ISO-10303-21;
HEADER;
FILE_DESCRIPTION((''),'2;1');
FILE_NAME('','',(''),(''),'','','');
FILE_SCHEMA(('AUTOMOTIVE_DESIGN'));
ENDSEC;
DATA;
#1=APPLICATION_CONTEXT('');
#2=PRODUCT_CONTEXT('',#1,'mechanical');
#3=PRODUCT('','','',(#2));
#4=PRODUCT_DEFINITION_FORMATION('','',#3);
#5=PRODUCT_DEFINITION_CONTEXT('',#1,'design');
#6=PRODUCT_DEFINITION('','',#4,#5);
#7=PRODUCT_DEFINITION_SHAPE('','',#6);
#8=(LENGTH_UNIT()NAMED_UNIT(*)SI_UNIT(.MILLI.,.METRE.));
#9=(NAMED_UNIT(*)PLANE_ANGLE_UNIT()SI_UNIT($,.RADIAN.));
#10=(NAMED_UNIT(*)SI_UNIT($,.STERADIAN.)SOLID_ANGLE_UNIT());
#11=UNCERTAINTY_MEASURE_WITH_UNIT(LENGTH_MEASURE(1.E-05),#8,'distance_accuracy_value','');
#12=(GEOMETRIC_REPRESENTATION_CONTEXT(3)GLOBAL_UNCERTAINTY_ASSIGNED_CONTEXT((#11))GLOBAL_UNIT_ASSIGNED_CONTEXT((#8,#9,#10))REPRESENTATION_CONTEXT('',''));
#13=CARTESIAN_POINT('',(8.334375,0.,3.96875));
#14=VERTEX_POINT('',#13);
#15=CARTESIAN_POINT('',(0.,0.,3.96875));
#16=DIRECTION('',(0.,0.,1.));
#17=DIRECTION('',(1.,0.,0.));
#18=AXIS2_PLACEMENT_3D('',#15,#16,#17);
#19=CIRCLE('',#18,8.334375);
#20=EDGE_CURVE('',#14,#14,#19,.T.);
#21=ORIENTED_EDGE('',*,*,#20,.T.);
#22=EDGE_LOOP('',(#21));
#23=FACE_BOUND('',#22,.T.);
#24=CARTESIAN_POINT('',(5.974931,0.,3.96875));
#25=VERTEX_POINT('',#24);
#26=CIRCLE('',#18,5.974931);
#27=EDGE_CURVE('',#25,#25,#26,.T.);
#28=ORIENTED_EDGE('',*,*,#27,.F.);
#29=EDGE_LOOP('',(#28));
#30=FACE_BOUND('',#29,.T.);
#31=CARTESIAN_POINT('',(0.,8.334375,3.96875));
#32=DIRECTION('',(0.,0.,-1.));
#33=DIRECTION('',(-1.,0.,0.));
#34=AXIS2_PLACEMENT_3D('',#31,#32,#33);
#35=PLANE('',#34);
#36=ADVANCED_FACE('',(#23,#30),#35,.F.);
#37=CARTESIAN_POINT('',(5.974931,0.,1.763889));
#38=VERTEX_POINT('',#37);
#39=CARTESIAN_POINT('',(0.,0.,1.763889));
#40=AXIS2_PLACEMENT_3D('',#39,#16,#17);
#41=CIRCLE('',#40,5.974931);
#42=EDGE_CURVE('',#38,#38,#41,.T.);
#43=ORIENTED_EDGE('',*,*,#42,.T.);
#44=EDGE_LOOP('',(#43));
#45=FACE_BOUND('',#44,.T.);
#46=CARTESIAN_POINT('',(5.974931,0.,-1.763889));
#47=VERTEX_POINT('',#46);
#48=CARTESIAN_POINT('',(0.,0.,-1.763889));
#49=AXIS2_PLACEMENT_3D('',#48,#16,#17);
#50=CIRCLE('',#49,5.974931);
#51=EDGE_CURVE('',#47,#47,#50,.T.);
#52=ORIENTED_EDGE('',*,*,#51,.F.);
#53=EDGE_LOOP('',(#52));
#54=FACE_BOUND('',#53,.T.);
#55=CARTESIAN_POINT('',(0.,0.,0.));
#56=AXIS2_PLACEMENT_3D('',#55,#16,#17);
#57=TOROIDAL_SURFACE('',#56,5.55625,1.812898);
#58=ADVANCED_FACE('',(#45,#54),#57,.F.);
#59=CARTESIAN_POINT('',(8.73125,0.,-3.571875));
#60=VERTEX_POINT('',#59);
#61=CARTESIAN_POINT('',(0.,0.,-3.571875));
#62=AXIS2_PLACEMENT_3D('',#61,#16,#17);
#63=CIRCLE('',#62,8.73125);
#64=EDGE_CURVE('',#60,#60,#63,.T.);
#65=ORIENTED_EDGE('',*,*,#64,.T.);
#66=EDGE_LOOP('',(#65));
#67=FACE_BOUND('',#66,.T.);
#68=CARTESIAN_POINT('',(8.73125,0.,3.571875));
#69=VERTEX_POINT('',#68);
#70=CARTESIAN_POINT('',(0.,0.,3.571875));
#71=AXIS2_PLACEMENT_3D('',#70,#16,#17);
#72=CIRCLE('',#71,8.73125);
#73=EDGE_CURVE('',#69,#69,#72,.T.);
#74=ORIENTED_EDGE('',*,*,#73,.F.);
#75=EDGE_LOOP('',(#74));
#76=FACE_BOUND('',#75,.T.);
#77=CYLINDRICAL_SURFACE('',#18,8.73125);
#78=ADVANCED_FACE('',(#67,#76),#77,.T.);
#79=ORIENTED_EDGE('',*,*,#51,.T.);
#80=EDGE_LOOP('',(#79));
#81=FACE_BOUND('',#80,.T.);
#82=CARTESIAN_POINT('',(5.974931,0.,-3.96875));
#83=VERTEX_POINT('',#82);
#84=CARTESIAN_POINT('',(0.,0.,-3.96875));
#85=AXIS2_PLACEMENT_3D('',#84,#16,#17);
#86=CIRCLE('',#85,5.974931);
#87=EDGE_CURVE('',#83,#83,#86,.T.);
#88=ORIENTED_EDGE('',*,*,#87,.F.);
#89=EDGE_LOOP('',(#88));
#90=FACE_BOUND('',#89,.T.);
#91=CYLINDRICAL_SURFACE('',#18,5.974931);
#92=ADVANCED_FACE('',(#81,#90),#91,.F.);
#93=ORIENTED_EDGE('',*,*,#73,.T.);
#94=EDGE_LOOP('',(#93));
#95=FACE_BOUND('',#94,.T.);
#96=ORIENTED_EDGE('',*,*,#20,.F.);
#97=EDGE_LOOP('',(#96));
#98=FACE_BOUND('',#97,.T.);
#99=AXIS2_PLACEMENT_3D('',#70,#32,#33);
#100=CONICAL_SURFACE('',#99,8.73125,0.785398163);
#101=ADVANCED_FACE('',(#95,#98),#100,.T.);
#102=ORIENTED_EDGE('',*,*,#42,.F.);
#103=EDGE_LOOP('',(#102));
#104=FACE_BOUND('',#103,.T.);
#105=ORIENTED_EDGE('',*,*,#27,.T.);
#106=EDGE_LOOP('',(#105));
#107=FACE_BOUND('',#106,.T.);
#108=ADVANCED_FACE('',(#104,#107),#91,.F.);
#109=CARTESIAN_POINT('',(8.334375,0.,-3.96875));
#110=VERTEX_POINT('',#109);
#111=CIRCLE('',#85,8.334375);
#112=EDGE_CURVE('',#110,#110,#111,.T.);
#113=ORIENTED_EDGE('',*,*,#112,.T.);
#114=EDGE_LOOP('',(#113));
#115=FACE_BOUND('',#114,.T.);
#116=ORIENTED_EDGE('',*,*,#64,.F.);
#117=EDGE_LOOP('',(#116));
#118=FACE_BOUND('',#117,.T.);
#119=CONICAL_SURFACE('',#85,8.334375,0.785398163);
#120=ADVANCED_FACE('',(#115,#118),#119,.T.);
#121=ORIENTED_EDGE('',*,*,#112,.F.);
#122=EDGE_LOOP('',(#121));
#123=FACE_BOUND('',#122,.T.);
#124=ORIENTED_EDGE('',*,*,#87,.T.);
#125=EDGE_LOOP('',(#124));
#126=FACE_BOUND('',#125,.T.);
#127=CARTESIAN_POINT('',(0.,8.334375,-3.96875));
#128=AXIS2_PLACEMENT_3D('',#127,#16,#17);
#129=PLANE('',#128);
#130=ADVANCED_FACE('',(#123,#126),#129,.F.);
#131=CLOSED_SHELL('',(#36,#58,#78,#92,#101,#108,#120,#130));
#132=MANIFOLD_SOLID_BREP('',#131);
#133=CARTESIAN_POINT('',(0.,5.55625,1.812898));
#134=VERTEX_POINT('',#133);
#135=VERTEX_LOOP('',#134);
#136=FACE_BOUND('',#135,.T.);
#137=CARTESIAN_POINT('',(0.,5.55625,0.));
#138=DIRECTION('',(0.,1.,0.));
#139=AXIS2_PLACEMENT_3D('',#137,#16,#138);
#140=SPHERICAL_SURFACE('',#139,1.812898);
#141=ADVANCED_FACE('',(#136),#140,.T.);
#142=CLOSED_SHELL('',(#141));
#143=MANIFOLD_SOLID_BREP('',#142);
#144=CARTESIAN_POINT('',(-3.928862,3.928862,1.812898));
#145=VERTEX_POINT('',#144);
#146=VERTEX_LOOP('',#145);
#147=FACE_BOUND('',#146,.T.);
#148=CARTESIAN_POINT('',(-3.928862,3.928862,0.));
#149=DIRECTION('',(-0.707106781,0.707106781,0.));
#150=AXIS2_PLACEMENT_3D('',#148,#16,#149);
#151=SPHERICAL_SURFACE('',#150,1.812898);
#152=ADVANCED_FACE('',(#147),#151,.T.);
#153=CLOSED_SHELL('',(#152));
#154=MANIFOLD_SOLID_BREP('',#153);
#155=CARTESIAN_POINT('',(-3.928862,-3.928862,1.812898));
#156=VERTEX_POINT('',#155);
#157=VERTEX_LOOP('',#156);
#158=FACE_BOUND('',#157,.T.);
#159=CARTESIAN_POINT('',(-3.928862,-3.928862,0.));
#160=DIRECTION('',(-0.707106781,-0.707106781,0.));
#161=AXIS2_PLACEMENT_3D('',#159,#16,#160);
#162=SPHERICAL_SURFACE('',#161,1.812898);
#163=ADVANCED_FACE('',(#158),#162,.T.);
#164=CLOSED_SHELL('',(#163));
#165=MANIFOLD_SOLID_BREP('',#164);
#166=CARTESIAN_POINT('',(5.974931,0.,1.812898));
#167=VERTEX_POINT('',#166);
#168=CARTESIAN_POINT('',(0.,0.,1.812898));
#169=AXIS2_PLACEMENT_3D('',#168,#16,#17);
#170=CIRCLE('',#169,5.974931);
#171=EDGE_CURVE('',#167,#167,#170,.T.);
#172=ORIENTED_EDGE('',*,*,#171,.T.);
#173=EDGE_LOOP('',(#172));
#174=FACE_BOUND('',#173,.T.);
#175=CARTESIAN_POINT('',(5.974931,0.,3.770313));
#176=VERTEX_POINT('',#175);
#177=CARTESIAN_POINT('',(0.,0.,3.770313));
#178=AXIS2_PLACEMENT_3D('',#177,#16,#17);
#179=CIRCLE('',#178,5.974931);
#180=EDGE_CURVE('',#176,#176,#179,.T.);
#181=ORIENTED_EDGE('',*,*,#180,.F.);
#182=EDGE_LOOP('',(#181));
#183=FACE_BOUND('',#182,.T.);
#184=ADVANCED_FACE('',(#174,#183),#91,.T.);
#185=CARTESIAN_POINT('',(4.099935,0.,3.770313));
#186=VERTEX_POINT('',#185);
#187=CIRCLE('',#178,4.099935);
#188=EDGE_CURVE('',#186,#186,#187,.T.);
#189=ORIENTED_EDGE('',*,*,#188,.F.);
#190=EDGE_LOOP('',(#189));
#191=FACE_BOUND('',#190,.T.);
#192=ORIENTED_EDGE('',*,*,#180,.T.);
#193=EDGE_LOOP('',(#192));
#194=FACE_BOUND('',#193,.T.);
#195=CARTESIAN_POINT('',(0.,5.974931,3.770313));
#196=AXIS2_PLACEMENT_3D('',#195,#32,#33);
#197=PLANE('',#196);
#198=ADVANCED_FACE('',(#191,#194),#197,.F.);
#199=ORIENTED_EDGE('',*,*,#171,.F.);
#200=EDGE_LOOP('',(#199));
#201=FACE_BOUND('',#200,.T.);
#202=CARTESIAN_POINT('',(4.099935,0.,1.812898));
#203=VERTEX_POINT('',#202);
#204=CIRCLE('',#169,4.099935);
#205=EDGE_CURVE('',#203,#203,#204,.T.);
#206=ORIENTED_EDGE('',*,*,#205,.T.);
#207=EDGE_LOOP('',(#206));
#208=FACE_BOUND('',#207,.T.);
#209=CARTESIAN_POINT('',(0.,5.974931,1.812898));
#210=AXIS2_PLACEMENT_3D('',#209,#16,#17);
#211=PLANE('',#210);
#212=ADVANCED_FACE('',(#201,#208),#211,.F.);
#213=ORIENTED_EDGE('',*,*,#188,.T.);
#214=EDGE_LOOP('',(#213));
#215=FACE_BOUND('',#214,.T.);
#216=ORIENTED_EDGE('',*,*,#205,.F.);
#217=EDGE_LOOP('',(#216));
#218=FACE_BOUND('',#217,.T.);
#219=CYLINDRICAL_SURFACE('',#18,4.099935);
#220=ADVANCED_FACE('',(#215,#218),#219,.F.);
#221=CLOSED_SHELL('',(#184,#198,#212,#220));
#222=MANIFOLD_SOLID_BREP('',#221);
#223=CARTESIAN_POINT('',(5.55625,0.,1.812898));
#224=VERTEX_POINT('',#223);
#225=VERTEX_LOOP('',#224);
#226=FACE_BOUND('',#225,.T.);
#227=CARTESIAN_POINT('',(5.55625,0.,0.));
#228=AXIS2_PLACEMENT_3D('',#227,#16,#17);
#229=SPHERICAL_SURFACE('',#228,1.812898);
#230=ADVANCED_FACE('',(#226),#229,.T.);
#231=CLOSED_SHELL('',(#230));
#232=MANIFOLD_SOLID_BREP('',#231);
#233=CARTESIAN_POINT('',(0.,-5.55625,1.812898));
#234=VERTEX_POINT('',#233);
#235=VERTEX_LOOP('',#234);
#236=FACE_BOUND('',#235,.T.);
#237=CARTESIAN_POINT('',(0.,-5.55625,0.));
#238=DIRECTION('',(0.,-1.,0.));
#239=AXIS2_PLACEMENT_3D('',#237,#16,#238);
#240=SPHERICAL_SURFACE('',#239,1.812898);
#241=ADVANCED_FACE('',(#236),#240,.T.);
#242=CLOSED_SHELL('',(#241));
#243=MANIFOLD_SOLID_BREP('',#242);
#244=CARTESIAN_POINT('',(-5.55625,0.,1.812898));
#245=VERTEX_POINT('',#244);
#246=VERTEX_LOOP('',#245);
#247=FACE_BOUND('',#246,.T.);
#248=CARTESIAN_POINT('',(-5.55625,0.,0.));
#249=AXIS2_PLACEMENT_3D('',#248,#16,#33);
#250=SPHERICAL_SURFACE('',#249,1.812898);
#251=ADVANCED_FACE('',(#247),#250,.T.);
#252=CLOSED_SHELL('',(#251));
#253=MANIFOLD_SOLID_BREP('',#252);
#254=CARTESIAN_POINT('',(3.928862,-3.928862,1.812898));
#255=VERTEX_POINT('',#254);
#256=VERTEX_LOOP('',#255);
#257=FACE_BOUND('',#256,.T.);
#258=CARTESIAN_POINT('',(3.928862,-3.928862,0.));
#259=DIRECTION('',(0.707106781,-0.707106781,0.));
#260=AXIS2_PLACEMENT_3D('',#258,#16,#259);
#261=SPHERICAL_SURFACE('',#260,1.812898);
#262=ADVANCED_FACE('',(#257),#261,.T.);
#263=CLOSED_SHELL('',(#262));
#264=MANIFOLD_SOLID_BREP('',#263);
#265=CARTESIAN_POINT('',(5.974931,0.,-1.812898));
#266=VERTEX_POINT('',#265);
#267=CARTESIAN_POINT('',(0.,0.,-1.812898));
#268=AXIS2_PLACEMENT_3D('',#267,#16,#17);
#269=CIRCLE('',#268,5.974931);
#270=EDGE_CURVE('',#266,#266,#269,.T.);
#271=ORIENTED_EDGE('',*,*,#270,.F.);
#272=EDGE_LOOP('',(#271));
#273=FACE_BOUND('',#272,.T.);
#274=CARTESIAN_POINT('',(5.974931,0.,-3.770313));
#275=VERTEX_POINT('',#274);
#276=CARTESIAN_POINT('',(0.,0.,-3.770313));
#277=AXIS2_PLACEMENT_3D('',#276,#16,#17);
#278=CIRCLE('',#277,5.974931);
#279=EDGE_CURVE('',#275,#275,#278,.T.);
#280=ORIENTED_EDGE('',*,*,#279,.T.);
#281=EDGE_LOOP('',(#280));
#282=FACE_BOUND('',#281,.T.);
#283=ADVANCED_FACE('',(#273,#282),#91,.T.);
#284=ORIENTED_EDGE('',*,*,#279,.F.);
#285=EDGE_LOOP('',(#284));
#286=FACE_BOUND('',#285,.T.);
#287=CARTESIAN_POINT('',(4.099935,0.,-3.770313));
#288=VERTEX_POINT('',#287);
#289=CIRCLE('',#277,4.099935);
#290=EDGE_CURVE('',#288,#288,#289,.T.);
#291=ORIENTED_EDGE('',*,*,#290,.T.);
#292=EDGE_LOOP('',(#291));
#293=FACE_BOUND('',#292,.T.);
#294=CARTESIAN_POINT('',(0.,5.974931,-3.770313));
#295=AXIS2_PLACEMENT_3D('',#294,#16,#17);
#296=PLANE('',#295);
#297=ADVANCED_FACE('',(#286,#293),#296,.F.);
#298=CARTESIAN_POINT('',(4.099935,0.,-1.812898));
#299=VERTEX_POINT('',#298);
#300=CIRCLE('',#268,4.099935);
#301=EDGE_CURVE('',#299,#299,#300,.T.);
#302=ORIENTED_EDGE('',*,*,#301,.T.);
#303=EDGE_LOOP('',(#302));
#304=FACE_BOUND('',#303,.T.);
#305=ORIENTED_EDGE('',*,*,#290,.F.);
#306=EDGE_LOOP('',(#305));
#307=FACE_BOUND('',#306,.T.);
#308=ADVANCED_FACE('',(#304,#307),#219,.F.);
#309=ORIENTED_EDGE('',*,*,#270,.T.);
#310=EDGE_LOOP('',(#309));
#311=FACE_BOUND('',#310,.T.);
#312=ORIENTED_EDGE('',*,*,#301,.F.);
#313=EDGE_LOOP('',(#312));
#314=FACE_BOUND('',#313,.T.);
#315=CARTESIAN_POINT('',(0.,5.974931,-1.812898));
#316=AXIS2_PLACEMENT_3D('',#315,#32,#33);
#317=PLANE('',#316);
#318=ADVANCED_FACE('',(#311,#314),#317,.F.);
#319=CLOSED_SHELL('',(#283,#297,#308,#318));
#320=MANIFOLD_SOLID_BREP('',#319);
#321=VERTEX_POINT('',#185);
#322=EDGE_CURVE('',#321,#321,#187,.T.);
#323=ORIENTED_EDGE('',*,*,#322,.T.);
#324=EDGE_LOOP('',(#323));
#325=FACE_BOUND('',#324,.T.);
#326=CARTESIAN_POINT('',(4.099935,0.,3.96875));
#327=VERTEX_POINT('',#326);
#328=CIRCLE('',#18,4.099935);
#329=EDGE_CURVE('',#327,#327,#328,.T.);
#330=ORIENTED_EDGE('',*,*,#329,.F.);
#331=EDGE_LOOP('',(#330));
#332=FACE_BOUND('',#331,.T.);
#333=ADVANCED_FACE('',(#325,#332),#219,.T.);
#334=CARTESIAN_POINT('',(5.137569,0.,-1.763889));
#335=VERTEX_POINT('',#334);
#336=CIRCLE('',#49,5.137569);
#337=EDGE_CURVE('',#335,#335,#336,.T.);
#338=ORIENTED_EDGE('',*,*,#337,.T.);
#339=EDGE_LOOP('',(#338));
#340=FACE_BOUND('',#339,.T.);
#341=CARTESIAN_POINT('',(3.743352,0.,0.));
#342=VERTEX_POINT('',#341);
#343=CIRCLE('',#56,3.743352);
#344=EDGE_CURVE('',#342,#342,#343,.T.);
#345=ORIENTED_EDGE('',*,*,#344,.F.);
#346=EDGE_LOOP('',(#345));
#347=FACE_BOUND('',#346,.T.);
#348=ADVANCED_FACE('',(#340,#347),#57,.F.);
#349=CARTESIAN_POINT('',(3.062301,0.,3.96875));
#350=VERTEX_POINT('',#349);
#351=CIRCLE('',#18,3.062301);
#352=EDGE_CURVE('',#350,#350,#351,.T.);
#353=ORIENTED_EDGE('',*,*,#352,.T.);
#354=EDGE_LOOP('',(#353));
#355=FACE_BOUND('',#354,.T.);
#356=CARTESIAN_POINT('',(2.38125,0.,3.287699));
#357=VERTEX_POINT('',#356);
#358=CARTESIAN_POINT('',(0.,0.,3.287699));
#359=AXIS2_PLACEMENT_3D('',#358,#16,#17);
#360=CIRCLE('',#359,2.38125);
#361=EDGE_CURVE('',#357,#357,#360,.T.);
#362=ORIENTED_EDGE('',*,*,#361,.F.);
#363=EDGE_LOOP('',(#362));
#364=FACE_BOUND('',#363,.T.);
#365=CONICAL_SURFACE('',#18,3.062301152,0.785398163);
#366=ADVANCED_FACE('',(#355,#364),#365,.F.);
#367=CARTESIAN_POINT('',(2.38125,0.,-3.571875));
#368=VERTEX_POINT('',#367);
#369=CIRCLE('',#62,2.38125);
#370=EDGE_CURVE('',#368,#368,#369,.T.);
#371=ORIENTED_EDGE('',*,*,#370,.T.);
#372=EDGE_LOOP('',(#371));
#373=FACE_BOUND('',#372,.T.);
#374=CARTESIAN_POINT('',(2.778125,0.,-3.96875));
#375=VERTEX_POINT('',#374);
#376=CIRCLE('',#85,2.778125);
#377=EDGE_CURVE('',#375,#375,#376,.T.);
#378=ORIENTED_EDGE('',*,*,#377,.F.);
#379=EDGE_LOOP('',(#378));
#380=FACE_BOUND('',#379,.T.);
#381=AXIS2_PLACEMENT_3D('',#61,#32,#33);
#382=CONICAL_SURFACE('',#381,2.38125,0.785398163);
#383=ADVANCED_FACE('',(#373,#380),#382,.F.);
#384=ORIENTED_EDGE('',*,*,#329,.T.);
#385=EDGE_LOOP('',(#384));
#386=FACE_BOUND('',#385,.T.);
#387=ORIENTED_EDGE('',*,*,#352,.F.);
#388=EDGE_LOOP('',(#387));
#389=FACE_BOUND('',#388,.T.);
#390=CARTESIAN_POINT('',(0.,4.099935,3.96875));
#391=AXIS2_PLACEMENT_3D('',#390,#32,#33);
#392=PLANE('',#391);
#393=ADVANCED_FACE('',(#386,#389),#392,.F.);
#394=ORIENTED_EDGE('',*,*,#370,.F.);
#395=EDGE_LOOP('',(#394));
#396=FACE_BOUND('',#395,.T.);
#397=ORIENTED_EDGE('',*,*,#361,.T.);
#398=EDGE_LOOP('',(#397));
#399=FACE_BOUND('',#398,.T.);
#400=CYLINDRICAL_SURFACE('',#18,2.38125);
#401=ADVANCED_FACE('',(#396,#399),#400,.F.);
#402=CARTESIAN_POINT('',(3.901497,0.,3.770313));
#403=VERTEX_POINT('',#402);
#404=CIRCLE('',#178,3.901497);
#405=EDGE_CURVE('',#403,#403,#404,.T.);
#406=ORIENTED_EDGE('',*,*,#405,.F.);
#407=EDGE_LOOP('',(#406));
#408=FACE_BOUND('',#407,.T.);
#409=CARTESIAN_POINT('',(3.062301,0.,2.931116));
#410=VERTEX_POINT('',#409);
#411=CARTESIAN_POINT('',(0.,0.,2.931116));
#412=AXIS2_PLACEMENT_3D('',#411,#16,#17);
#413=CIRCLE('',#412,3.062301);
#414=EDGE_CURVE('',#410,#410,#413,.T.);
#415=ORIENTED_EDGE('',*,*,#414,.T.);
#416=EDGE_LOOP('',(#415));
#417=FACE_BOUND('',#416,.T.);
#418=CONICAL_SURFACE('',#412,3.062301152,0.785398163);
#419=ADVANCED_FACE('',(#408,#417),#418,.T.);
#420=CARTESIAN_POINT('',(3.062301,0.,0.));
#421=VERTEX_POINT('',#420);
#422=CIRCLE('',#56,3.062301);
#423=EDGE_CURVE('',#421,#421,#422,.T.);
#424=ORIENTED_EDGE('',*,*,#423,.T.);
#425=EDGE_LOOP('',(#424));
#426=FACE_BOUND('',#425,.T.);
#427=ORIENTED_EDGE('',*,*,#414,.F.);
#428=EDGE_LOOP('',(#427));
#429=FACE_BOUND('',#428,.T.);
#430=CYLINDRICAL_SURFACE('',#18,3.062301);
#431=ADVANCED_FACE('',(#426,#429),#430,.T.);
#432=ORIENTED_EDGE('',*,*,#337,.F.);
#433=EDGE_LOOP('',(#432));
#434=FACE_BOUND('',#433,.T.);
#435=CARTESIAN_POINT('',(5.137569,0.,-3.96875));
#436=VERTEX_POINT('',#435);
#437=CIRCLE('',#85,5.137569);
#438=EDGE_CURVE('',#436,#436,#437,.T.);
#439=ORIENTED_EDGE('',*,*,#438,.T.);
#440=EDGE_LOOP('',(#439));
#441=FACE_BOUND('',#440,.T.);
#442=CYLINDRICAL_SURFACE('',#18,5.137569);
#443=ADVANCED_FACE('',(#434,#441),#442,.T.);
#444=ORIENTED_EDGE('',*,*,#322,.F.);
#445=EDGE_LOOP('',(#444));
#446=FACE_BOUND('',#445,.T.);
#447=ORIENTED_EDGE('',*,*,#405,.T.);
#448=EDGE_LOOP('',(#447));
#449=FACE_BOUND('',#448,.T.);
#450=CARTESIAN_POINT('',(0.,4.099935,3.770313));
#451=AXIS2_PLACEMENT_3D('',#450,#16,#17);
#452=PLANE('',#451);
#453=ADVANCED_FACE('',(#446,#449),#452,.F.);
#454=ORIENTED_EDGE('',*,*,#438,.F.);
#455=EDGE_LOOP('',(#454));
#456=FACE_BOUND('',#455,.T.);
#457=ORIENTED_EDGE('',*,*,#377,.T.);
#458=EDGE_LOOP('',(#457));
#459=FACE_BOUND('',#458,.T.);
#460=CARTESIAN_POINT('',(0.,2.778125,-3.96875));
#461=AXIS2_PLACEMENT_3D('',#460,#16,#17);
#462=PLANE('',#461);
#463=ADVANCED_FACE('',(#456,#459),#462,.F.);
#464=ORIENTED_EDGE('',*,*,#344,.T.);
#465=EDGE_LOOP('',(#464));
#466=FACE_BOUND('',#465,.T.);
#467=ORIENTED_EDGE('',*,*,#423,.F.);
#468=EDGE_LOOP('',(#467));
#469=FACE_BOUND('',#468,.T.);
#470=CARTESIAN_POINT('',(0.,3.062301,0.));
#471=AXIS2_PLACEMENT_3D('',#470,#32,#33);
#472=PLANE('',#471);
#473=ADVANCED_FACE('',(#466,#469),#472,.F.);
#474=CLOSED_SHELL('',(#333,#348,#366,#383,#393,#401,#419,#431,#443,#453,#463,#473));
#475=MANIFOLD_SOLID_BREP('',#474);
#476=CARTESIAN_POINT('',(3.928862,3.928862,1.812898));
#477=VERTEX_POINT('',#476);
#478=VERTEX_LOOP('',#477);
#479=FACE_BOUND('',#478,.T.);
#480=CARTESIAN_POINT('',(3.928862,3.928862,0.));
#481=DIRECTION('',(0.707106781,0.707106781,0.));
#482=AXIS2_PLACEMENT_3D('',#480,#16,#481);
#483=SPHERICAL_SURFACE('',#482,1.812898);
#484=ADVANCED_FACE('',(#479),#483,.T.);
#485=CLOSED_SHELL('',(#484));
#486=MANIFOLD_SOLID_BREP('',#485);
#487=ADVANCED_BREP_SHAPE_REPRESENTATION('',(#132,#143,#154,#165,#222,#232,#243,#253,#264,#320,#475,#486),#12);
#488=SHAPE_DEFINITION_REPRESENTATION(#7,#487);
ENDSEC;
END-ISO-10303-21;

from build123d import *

# Parameters (mm, degrees)
CIRPATTERN1_COUNT = 8
SKETCH5_W         = 1.957414803
SKETCH5_H         = 1.874996403


with BuildPart() as part:
    # Sketch1 → Revolve1 (revolve)
    with BuildSketch(Plane(origin=(0, 0, 0), x_dir=(0, 0, -1), z_dir=(1, 0, 0))):
        with BuildLine():
            Line((3.571875, 8.73125), (-3.571875, 8.73125))
            Line((-3.571875, 8.73125), (-3.96875, 8.334375))
            Line((-3.96875, 8.334375), (-3.96875, 5.974931319))
            Line((-3.96875, 5.974931319), (-1.763888889, 5.974931319))
            ThreePointArc((-1.763888889, 5.974931319), (0, 7.369147697), (1.763888889, 5.974931319))
            Line((1.763888889, 5.974931319), (3.96875, 5.974931319))
            Line((3.96875, 5.974931319), (3.96875, 8.334375))
            Line((3.96875, 8.334375), (3.571875, 8.73125))
        make_face()
    revolve(axis=Axis((0, 0, 3.96875), (0, 0, -1)))


with BuildPart() as body_2:
    # Sketch3 → Revolve3 (revolve)
    with BuildSketch(Plane(origin=(0, 0, 0), x_dir=(0, 0, -1), z_dir=(1, 0, 0))):
        with BuildLine():
            Line((-3.7703125, 3.901497416), (-2.931116235, 3.062301152))
            Line((-2.931116235, 3.062301152), (0, 3.062301152))
            Line((0, 3.062301152), (0, 3.743352303))
            ThreePointArc((0, 3.743352303), (1.124182294, 4.133993965), (1.763888889, 5.137568681))
            Line((1.763888889, 5.137568681), (3.96875, 5.137568681))
            Line((3.96875, 5.137568681), (3.96875, 2.778125))
            Line((3.96875, 2.778125), (3.571875, 2.38125))
            Line((3.571875, 2.38125), (-3.287698848, 2.38125))
            Line((-3.287698848, 2.38125), (-3.96875, 3.062301152))
            Line((-3.96875, 3.062301152), (-3.96875, 4.099934916))
            Line((-3.96875, 4.099934916), (-3.7703125, 4.099934916))
            Line((-3.7703125, 4.099934916), (-3.7703125, 3.901497416))
        make_face()
    revolve(axis=Axis((0, 0, 3.96875), (0, 0, -1)))


with BuildPart() as body_3:
    # Sketch4 → Revolve4 (revolve)
    with BuildSketch(Plane(origin=(0, 0, 0), x_dir=(0, 0, -1), z_dir=(1, 0, 0))):
        with BuildLine():
            Line((-1.812897697, 5.55625), (1.812897697, 5.55625))
            ThreePointArc((1.812897697, 5.55625), (0, 7.369147697), (-1.812897697, 5.55625))
        make_face()
    revolve(axis=Axis((0, 5.55625, 1.812897697), (0, 0, -1)))


with BuildPart() as cirpattern1_1:
    # CirPattern1: pattern copy
    add(body_3.part.rotate(Axis((0, 0, -3.96875), (0, 0, 1)), 1 * 360 / CIRPATTERN1_COUNT))


with BuildPart() as cirpattern1_2:
    # CirPattern1: pattern copy
    add(body_3.part.rotate(Axis((0, 0, -3.96875), (0, 0, 1)), 2 * 360 / CIRPATTERN1_COUNT))


with BuildPart() as cirpattern1_3:
    # CirPattern1: pattern copy
    add(body_3.part.rotate(Axis((0, 0, -3.96875), (0, 0, 1)), 3 * 360 / CIRPATTERN1_COUNT))


with BuildPart() as cirpattern1_4:
    # CirPattern1: pattern copy
    add(body_3.part.rotate(Axis((0, 0, -3.96875), (0, 0, 1)), 4 * 360 / CIRPATTERN1_COUNT))


with BuildPart() as cirpattern1_5:
    # CirPattern1: pattern copy
    add(body_3.part.rotate(Axis((0, 0, -3.96875), (0, 0, 1)), 5 * 360 / CIRPATTERN1_COUNT))


with BuildPart() as cirpattern1_6:
    # CirPattern1: pattern copy
    add(body_3.part.rotate(Axis((0, 0, -3.96875), (0, 0, 1)), 6 * 360 / CIRPATTERN1_COUNT))


with BuildPart() as cirpattern1_7:
    # CirPattern1: pattern copy
    add(body_3.part.rotate(Axis((0, 0, -3.96875), (0, 0, 1)), 7 * 360 / CIRPATTERN1_COUNT))


with BuildPart() as body_11:
    # Sketch5 → Revolve5 (revolve)
    with BuildSketch(Plane(origin=(0, 0, 0), x_dir=(0, 0, -1), z_dir=(1, 0, 0))):
        with Locations((-2.791605099, 5.037433118)):
            Rectangle(SKETCH5_W, SKETCH5_H)
        with Locations((2.791605099, 5.037433118)):
            Rectangle(SKETCH5_W, SKETCH5_H)
    revolve(axis=Axis((0, 0, 3.96875), (0, 0, -1)))


solid = Compound([part.part, body_2.part, body_3.part, cirpattern1_1.part, cirpattern1_2.part, cirpattern1_3.part, cirpattern1_4.part, cirpattern1_5.part, cirpattern1_6.part, cirpattern1_7.part, body_11.part])
